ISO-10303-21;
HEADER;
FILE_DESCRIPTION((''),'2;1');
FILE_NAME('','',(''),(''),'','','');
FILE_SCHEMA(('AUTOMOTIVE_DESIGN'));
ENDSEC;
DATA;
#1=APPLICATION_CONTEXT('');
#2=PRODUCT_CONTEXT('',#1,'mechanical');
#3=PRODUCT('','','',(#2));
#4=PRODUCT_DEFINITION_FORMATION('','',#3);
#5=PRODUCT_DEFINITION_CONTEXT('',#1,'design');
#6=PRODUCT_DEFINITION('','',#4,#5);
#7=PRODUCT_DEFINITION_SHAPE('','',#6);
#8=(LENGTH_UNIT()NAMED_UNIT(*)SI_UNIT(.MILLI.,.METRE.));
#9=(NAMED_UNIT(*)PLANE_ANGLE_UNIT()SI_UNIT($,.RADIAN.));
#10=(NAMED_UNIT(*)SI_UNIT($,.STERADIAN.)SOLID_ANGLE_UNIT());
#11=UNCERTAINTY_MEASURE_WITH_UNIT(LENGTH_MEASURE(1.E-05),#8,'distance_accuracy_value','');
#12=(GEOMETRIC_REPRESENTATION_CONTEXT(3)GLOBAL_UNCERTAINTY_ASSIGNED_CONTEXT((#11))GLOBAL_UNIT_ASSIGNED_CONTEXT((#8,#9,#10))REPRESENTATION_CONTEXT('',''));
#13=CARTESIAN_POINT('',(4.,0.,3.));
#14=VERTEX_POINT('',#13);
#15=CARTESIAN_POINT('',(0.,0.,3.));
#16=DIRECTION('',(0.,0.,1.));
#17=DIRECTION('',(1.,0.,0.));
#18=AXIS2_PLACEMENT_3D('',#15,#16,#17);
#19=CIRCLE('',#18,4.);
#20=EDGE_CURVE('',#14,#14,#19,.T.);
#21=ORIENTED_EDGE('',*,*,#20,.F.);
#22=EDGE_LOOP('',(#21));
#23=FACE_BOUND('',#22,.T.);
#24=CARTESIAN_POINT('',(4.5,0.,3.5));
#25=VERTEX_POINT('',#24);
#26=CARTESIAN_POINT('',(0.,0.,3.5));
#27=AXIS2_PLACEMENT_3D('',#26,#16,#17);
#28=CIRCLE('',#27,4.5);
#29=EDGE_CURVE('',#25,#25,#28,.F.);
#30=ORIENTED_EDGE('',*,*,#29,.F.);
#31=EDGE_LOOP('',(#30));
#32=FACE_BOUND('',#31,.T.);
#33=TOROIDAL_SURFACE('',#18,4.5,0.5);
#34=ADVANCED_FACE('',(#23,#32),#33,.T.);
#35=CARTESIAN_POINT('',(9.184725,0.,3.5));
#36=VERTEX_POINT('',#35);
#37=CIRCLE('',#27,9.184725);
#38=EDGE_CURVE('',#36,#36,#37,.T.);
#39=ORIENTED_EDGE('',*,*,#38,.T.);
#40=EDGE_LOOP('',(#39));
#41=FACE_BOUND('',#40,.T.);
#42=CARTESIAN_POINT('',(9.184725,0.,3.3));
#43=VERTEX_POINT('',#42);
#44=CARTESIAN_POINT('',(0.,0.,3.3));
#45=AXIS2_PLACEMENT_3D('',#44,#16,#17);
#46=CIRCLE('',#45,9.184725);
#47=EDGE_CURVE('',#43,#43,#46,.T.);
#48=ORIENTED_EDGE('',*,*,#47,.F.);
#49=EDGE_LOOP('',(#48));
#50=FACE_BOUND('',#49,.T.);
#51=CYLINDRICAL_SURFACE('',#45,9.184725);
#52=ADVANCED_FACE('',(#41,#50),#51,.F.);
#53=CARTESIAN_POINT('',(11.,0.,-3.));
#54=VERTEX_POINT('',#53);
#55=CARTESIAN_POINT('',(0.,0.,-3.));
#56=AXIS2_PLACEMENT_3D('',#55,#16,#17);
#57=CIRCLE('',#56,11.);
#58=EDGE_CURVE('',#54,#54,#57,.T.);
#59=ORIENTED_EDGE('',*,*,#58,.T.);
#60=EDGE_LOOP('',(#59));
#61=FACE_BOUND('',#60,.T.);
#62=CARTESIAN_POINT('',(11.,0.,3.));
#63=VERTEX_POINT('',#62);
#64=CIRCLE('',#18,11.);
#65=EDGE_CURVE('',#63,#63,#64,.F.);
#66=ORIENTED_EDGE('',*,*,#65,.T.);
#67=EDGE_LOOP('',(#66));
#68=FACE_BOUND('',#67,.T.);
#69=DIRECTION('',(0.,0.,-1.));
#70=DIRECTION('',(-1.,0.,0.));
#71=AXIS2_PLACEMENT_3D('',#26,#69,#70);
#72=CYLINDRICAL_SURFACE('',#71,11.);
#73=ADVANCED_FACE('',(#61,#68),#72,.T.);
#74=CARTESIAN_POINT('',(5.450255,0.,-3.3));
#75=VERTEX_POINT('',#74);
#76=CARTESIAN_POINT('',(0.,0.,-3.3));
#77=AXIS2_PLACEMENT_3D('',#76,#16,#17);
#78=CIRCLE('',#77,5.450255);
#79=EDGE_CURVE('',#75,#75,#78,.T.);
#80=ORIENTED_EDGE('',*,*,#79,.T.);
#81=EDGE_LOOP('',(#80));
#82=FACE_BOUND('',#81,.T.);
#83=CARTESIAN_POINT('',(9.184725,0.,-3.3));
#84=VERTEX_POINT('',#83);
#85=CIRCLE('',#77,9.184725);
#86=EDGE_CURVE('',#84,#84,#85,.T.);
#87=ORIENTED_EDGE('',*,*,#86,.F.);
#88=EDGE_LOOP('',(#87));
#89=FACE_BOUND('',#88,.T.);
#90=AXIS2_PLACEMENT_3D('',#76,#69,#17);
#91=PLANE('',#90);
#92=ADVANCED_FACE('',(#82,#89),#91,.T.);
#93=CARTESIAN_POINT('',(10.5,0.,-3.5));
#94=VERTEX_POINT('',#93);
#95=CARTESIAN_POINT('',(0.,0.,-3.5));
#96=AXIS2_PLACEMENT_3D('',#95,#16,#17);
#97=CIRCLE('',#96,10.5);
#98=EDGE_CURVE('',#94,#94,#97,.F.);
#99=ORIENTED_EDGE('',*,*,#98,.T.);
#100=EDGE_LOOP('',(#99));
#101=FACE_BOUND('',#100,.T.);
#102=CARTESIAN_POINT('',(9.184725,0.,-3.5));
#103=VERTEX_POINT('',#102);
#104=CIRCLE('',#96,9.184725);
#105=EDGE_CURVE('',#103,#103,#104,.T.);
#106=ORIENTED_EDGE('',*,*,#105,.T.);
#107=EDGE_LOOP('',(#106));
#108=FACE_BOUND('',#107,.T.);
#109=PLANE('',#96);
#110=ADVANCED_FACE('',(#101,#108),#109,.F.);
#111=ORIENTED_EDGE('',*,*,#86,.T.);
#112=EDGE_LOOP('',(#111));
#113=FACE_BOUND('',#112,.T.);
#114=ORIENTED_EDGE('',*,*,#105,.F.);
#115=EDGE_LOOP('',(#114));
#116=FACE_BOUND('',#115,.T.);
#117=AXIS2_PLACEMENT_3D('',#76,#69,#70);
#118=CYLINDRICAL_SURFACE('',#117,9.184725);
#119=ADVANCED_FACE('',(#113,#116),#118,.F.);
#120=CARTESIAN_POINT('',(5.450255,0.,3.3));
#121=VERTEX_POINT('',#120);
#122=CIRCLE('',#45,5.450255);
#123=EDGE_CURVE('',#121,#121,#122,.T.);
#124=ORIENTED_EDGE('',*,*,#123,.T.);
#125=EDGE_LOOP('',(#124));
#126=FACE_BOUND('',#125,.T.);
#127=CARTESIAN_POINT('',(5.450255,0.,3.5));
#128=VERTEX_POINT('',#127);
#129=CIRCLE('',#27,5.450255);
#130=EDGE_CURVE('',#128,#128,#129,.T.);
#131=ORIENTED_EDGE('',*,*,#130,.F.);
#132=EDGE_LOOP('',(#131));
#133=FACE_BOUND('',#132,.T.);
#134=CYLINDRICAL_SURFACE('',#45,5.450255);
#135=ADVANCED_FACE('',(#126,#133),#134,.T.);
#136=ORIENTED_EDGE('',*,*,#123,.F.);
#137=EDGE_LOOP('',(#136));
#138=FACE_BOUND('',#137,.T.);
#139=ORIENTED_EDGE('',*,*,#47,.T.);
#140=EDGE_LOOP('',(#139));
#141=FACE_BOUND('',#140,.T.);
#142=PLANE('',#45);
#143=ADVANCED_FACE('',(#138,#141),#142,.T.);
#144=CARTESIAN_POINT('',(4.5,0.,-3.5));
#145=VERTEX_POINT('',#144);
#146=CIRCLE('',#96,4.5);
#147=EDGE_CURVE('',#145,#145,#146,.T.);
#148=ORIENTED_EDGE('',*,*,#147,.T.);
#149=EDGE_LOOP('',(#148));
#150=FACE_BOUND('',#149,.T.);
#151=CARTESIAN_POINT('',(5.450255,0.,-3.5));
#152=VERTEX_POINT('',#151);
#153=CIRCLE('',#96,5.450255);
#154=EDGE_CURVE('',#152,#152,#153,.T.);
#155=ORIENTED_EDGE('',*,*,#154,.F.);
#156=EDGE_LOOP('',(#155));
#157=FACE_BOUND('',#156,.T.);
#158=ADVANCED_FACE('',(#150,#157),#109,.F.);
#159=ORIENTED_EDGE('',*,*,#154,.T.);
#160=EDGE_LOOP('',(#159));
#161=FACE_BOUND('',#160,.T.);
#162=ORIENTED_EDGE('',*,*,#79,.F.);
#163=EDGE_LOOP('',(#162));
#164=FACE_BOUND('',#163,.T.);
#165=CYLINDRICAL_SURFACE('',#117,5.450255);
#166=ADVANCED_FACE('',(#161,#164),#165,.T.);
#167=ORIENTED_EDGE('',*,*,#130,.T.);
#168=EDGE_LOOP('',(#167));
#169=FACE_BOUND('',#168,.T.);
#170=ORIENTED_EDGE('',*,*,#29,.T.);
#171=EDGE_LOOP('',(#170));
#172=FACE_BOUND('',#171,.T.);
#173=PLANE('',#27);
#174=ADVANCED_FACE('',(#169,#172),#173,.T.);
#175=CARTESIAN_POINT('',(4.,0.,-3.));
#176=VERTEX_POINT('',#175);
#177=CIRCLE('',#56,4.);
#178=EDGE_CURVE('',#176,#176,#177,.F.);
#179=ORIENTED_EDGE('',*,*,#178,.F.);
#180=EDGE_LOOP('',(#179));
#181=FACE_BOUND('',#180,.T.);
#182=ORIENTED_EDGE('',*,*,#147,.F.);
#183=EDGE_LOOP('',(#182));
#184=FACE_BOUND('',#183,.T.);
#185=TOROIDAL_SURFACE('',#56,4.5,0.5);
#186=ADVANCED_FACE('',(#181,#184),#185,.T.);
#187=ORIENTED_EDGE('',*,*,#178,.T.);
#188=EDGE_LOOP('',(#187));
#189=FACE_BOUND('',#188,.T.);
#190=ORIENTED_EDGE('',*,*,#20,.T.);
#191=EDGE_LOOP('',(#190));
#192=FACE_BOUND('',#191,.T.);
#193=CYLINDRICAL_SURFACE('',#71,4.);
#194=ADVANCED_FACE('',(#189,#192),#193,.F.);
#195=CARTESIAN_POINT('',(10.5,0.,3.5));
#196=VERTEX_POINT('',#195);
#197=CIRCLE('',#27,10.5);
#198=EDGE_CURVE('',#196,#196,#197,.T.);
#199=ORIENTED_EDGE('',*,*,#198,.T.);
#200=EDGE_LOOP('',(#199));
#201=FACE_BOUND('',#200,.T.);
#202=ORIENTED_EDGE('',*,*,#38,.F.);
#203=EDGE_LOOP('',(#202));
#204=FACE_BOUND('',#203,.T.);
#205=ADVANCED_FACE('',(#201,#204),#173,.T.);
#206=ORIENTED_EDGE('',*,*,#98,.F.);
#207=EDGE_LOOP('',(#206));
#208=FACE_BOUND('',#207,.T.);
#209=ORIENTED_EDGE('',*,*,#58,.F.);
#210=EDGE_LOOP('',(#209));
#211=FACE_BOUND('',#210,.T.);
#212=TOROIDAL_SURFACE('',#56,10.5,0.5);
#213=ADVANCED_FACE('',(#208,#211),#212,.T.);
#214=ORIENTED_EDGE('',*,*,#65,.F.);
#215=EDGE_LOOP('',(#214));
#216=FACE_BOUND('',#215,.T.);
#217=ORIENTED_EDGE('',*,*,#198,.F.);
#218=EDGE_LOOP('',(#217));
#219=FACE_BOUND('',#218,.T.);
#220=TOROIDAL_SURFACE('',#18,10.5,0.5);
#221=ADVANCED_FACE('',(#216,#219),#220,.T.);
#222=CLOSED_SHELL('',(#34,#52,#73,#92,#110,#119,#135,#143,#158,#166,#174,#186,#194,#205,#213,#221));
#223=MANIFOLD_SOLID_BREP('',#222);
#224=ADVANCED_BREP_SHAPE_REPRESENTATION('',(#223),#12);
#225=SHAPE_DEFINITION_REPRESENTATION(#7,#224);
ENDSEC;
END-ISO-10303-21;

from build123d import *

# Parameters (mm, degrees)
SZKIC1_R                    = 11
SZKIC1_R_2                  = 4
DODANIE_WYCI_GNI_CIE1_DEPTH = 3.5
SZKIC2_R                    = 9.184724544
SZKIC2_R_2                  = 5.450254851
WYTNIJ_WYCI_GNI_CIE1_DEPTH  = 0.2
ZAOKR_GLENIE1_R             = 0.5


with BuildPart() as part:
    # Szkic1 → Dodanie-wyciągnięcie1 (new body, symmetric)
    with BuildSketch(Plane.XY):
        Circle(SZKIC1_R)
        Circle(SZKIC1_R_2, mode=Mode.SUBTRACT)
    extrude(amount=DODANIE_WYCI_GNI_CIE1_DEPTH, both=True)

    # Szkic2 → Wytnij-wyciągnięcie1 (cut)
    with BuildSketch(Plane.XY.offset(3.5)):
        Circle(SZKIC2_R)
        Circle(SZKIC2_R_2, mode=Mode.SUBTRACT)
    wytnij_wyci_gni_cie1 = extrude(amount=-WYTNIJ_WYCI_GNI_CIE1_DEPTH, mode=Mode.SUBTRACT)

    # Lustro1: Wytnij-wyciągnięcie1 across plane
    add(wytnij_wyci_gni_cie1.mirror(Plane.XY), mode=Mode.SUBTRACT)

    # Zaokrąglenie1
    zaokr_glenie1_edges = [part.edges().sort_by_distance(p)[0] for p in [
        (-11, 0, -3.5),
        (-11, 0, 3.5),
        (-4, 0, -3.5),
        (-4, 0, 3.5),
    ]]
    fillet(zaokr_glenie1_edges, radius=ZAOKR_GLENIE1_R)


solid = part.part
